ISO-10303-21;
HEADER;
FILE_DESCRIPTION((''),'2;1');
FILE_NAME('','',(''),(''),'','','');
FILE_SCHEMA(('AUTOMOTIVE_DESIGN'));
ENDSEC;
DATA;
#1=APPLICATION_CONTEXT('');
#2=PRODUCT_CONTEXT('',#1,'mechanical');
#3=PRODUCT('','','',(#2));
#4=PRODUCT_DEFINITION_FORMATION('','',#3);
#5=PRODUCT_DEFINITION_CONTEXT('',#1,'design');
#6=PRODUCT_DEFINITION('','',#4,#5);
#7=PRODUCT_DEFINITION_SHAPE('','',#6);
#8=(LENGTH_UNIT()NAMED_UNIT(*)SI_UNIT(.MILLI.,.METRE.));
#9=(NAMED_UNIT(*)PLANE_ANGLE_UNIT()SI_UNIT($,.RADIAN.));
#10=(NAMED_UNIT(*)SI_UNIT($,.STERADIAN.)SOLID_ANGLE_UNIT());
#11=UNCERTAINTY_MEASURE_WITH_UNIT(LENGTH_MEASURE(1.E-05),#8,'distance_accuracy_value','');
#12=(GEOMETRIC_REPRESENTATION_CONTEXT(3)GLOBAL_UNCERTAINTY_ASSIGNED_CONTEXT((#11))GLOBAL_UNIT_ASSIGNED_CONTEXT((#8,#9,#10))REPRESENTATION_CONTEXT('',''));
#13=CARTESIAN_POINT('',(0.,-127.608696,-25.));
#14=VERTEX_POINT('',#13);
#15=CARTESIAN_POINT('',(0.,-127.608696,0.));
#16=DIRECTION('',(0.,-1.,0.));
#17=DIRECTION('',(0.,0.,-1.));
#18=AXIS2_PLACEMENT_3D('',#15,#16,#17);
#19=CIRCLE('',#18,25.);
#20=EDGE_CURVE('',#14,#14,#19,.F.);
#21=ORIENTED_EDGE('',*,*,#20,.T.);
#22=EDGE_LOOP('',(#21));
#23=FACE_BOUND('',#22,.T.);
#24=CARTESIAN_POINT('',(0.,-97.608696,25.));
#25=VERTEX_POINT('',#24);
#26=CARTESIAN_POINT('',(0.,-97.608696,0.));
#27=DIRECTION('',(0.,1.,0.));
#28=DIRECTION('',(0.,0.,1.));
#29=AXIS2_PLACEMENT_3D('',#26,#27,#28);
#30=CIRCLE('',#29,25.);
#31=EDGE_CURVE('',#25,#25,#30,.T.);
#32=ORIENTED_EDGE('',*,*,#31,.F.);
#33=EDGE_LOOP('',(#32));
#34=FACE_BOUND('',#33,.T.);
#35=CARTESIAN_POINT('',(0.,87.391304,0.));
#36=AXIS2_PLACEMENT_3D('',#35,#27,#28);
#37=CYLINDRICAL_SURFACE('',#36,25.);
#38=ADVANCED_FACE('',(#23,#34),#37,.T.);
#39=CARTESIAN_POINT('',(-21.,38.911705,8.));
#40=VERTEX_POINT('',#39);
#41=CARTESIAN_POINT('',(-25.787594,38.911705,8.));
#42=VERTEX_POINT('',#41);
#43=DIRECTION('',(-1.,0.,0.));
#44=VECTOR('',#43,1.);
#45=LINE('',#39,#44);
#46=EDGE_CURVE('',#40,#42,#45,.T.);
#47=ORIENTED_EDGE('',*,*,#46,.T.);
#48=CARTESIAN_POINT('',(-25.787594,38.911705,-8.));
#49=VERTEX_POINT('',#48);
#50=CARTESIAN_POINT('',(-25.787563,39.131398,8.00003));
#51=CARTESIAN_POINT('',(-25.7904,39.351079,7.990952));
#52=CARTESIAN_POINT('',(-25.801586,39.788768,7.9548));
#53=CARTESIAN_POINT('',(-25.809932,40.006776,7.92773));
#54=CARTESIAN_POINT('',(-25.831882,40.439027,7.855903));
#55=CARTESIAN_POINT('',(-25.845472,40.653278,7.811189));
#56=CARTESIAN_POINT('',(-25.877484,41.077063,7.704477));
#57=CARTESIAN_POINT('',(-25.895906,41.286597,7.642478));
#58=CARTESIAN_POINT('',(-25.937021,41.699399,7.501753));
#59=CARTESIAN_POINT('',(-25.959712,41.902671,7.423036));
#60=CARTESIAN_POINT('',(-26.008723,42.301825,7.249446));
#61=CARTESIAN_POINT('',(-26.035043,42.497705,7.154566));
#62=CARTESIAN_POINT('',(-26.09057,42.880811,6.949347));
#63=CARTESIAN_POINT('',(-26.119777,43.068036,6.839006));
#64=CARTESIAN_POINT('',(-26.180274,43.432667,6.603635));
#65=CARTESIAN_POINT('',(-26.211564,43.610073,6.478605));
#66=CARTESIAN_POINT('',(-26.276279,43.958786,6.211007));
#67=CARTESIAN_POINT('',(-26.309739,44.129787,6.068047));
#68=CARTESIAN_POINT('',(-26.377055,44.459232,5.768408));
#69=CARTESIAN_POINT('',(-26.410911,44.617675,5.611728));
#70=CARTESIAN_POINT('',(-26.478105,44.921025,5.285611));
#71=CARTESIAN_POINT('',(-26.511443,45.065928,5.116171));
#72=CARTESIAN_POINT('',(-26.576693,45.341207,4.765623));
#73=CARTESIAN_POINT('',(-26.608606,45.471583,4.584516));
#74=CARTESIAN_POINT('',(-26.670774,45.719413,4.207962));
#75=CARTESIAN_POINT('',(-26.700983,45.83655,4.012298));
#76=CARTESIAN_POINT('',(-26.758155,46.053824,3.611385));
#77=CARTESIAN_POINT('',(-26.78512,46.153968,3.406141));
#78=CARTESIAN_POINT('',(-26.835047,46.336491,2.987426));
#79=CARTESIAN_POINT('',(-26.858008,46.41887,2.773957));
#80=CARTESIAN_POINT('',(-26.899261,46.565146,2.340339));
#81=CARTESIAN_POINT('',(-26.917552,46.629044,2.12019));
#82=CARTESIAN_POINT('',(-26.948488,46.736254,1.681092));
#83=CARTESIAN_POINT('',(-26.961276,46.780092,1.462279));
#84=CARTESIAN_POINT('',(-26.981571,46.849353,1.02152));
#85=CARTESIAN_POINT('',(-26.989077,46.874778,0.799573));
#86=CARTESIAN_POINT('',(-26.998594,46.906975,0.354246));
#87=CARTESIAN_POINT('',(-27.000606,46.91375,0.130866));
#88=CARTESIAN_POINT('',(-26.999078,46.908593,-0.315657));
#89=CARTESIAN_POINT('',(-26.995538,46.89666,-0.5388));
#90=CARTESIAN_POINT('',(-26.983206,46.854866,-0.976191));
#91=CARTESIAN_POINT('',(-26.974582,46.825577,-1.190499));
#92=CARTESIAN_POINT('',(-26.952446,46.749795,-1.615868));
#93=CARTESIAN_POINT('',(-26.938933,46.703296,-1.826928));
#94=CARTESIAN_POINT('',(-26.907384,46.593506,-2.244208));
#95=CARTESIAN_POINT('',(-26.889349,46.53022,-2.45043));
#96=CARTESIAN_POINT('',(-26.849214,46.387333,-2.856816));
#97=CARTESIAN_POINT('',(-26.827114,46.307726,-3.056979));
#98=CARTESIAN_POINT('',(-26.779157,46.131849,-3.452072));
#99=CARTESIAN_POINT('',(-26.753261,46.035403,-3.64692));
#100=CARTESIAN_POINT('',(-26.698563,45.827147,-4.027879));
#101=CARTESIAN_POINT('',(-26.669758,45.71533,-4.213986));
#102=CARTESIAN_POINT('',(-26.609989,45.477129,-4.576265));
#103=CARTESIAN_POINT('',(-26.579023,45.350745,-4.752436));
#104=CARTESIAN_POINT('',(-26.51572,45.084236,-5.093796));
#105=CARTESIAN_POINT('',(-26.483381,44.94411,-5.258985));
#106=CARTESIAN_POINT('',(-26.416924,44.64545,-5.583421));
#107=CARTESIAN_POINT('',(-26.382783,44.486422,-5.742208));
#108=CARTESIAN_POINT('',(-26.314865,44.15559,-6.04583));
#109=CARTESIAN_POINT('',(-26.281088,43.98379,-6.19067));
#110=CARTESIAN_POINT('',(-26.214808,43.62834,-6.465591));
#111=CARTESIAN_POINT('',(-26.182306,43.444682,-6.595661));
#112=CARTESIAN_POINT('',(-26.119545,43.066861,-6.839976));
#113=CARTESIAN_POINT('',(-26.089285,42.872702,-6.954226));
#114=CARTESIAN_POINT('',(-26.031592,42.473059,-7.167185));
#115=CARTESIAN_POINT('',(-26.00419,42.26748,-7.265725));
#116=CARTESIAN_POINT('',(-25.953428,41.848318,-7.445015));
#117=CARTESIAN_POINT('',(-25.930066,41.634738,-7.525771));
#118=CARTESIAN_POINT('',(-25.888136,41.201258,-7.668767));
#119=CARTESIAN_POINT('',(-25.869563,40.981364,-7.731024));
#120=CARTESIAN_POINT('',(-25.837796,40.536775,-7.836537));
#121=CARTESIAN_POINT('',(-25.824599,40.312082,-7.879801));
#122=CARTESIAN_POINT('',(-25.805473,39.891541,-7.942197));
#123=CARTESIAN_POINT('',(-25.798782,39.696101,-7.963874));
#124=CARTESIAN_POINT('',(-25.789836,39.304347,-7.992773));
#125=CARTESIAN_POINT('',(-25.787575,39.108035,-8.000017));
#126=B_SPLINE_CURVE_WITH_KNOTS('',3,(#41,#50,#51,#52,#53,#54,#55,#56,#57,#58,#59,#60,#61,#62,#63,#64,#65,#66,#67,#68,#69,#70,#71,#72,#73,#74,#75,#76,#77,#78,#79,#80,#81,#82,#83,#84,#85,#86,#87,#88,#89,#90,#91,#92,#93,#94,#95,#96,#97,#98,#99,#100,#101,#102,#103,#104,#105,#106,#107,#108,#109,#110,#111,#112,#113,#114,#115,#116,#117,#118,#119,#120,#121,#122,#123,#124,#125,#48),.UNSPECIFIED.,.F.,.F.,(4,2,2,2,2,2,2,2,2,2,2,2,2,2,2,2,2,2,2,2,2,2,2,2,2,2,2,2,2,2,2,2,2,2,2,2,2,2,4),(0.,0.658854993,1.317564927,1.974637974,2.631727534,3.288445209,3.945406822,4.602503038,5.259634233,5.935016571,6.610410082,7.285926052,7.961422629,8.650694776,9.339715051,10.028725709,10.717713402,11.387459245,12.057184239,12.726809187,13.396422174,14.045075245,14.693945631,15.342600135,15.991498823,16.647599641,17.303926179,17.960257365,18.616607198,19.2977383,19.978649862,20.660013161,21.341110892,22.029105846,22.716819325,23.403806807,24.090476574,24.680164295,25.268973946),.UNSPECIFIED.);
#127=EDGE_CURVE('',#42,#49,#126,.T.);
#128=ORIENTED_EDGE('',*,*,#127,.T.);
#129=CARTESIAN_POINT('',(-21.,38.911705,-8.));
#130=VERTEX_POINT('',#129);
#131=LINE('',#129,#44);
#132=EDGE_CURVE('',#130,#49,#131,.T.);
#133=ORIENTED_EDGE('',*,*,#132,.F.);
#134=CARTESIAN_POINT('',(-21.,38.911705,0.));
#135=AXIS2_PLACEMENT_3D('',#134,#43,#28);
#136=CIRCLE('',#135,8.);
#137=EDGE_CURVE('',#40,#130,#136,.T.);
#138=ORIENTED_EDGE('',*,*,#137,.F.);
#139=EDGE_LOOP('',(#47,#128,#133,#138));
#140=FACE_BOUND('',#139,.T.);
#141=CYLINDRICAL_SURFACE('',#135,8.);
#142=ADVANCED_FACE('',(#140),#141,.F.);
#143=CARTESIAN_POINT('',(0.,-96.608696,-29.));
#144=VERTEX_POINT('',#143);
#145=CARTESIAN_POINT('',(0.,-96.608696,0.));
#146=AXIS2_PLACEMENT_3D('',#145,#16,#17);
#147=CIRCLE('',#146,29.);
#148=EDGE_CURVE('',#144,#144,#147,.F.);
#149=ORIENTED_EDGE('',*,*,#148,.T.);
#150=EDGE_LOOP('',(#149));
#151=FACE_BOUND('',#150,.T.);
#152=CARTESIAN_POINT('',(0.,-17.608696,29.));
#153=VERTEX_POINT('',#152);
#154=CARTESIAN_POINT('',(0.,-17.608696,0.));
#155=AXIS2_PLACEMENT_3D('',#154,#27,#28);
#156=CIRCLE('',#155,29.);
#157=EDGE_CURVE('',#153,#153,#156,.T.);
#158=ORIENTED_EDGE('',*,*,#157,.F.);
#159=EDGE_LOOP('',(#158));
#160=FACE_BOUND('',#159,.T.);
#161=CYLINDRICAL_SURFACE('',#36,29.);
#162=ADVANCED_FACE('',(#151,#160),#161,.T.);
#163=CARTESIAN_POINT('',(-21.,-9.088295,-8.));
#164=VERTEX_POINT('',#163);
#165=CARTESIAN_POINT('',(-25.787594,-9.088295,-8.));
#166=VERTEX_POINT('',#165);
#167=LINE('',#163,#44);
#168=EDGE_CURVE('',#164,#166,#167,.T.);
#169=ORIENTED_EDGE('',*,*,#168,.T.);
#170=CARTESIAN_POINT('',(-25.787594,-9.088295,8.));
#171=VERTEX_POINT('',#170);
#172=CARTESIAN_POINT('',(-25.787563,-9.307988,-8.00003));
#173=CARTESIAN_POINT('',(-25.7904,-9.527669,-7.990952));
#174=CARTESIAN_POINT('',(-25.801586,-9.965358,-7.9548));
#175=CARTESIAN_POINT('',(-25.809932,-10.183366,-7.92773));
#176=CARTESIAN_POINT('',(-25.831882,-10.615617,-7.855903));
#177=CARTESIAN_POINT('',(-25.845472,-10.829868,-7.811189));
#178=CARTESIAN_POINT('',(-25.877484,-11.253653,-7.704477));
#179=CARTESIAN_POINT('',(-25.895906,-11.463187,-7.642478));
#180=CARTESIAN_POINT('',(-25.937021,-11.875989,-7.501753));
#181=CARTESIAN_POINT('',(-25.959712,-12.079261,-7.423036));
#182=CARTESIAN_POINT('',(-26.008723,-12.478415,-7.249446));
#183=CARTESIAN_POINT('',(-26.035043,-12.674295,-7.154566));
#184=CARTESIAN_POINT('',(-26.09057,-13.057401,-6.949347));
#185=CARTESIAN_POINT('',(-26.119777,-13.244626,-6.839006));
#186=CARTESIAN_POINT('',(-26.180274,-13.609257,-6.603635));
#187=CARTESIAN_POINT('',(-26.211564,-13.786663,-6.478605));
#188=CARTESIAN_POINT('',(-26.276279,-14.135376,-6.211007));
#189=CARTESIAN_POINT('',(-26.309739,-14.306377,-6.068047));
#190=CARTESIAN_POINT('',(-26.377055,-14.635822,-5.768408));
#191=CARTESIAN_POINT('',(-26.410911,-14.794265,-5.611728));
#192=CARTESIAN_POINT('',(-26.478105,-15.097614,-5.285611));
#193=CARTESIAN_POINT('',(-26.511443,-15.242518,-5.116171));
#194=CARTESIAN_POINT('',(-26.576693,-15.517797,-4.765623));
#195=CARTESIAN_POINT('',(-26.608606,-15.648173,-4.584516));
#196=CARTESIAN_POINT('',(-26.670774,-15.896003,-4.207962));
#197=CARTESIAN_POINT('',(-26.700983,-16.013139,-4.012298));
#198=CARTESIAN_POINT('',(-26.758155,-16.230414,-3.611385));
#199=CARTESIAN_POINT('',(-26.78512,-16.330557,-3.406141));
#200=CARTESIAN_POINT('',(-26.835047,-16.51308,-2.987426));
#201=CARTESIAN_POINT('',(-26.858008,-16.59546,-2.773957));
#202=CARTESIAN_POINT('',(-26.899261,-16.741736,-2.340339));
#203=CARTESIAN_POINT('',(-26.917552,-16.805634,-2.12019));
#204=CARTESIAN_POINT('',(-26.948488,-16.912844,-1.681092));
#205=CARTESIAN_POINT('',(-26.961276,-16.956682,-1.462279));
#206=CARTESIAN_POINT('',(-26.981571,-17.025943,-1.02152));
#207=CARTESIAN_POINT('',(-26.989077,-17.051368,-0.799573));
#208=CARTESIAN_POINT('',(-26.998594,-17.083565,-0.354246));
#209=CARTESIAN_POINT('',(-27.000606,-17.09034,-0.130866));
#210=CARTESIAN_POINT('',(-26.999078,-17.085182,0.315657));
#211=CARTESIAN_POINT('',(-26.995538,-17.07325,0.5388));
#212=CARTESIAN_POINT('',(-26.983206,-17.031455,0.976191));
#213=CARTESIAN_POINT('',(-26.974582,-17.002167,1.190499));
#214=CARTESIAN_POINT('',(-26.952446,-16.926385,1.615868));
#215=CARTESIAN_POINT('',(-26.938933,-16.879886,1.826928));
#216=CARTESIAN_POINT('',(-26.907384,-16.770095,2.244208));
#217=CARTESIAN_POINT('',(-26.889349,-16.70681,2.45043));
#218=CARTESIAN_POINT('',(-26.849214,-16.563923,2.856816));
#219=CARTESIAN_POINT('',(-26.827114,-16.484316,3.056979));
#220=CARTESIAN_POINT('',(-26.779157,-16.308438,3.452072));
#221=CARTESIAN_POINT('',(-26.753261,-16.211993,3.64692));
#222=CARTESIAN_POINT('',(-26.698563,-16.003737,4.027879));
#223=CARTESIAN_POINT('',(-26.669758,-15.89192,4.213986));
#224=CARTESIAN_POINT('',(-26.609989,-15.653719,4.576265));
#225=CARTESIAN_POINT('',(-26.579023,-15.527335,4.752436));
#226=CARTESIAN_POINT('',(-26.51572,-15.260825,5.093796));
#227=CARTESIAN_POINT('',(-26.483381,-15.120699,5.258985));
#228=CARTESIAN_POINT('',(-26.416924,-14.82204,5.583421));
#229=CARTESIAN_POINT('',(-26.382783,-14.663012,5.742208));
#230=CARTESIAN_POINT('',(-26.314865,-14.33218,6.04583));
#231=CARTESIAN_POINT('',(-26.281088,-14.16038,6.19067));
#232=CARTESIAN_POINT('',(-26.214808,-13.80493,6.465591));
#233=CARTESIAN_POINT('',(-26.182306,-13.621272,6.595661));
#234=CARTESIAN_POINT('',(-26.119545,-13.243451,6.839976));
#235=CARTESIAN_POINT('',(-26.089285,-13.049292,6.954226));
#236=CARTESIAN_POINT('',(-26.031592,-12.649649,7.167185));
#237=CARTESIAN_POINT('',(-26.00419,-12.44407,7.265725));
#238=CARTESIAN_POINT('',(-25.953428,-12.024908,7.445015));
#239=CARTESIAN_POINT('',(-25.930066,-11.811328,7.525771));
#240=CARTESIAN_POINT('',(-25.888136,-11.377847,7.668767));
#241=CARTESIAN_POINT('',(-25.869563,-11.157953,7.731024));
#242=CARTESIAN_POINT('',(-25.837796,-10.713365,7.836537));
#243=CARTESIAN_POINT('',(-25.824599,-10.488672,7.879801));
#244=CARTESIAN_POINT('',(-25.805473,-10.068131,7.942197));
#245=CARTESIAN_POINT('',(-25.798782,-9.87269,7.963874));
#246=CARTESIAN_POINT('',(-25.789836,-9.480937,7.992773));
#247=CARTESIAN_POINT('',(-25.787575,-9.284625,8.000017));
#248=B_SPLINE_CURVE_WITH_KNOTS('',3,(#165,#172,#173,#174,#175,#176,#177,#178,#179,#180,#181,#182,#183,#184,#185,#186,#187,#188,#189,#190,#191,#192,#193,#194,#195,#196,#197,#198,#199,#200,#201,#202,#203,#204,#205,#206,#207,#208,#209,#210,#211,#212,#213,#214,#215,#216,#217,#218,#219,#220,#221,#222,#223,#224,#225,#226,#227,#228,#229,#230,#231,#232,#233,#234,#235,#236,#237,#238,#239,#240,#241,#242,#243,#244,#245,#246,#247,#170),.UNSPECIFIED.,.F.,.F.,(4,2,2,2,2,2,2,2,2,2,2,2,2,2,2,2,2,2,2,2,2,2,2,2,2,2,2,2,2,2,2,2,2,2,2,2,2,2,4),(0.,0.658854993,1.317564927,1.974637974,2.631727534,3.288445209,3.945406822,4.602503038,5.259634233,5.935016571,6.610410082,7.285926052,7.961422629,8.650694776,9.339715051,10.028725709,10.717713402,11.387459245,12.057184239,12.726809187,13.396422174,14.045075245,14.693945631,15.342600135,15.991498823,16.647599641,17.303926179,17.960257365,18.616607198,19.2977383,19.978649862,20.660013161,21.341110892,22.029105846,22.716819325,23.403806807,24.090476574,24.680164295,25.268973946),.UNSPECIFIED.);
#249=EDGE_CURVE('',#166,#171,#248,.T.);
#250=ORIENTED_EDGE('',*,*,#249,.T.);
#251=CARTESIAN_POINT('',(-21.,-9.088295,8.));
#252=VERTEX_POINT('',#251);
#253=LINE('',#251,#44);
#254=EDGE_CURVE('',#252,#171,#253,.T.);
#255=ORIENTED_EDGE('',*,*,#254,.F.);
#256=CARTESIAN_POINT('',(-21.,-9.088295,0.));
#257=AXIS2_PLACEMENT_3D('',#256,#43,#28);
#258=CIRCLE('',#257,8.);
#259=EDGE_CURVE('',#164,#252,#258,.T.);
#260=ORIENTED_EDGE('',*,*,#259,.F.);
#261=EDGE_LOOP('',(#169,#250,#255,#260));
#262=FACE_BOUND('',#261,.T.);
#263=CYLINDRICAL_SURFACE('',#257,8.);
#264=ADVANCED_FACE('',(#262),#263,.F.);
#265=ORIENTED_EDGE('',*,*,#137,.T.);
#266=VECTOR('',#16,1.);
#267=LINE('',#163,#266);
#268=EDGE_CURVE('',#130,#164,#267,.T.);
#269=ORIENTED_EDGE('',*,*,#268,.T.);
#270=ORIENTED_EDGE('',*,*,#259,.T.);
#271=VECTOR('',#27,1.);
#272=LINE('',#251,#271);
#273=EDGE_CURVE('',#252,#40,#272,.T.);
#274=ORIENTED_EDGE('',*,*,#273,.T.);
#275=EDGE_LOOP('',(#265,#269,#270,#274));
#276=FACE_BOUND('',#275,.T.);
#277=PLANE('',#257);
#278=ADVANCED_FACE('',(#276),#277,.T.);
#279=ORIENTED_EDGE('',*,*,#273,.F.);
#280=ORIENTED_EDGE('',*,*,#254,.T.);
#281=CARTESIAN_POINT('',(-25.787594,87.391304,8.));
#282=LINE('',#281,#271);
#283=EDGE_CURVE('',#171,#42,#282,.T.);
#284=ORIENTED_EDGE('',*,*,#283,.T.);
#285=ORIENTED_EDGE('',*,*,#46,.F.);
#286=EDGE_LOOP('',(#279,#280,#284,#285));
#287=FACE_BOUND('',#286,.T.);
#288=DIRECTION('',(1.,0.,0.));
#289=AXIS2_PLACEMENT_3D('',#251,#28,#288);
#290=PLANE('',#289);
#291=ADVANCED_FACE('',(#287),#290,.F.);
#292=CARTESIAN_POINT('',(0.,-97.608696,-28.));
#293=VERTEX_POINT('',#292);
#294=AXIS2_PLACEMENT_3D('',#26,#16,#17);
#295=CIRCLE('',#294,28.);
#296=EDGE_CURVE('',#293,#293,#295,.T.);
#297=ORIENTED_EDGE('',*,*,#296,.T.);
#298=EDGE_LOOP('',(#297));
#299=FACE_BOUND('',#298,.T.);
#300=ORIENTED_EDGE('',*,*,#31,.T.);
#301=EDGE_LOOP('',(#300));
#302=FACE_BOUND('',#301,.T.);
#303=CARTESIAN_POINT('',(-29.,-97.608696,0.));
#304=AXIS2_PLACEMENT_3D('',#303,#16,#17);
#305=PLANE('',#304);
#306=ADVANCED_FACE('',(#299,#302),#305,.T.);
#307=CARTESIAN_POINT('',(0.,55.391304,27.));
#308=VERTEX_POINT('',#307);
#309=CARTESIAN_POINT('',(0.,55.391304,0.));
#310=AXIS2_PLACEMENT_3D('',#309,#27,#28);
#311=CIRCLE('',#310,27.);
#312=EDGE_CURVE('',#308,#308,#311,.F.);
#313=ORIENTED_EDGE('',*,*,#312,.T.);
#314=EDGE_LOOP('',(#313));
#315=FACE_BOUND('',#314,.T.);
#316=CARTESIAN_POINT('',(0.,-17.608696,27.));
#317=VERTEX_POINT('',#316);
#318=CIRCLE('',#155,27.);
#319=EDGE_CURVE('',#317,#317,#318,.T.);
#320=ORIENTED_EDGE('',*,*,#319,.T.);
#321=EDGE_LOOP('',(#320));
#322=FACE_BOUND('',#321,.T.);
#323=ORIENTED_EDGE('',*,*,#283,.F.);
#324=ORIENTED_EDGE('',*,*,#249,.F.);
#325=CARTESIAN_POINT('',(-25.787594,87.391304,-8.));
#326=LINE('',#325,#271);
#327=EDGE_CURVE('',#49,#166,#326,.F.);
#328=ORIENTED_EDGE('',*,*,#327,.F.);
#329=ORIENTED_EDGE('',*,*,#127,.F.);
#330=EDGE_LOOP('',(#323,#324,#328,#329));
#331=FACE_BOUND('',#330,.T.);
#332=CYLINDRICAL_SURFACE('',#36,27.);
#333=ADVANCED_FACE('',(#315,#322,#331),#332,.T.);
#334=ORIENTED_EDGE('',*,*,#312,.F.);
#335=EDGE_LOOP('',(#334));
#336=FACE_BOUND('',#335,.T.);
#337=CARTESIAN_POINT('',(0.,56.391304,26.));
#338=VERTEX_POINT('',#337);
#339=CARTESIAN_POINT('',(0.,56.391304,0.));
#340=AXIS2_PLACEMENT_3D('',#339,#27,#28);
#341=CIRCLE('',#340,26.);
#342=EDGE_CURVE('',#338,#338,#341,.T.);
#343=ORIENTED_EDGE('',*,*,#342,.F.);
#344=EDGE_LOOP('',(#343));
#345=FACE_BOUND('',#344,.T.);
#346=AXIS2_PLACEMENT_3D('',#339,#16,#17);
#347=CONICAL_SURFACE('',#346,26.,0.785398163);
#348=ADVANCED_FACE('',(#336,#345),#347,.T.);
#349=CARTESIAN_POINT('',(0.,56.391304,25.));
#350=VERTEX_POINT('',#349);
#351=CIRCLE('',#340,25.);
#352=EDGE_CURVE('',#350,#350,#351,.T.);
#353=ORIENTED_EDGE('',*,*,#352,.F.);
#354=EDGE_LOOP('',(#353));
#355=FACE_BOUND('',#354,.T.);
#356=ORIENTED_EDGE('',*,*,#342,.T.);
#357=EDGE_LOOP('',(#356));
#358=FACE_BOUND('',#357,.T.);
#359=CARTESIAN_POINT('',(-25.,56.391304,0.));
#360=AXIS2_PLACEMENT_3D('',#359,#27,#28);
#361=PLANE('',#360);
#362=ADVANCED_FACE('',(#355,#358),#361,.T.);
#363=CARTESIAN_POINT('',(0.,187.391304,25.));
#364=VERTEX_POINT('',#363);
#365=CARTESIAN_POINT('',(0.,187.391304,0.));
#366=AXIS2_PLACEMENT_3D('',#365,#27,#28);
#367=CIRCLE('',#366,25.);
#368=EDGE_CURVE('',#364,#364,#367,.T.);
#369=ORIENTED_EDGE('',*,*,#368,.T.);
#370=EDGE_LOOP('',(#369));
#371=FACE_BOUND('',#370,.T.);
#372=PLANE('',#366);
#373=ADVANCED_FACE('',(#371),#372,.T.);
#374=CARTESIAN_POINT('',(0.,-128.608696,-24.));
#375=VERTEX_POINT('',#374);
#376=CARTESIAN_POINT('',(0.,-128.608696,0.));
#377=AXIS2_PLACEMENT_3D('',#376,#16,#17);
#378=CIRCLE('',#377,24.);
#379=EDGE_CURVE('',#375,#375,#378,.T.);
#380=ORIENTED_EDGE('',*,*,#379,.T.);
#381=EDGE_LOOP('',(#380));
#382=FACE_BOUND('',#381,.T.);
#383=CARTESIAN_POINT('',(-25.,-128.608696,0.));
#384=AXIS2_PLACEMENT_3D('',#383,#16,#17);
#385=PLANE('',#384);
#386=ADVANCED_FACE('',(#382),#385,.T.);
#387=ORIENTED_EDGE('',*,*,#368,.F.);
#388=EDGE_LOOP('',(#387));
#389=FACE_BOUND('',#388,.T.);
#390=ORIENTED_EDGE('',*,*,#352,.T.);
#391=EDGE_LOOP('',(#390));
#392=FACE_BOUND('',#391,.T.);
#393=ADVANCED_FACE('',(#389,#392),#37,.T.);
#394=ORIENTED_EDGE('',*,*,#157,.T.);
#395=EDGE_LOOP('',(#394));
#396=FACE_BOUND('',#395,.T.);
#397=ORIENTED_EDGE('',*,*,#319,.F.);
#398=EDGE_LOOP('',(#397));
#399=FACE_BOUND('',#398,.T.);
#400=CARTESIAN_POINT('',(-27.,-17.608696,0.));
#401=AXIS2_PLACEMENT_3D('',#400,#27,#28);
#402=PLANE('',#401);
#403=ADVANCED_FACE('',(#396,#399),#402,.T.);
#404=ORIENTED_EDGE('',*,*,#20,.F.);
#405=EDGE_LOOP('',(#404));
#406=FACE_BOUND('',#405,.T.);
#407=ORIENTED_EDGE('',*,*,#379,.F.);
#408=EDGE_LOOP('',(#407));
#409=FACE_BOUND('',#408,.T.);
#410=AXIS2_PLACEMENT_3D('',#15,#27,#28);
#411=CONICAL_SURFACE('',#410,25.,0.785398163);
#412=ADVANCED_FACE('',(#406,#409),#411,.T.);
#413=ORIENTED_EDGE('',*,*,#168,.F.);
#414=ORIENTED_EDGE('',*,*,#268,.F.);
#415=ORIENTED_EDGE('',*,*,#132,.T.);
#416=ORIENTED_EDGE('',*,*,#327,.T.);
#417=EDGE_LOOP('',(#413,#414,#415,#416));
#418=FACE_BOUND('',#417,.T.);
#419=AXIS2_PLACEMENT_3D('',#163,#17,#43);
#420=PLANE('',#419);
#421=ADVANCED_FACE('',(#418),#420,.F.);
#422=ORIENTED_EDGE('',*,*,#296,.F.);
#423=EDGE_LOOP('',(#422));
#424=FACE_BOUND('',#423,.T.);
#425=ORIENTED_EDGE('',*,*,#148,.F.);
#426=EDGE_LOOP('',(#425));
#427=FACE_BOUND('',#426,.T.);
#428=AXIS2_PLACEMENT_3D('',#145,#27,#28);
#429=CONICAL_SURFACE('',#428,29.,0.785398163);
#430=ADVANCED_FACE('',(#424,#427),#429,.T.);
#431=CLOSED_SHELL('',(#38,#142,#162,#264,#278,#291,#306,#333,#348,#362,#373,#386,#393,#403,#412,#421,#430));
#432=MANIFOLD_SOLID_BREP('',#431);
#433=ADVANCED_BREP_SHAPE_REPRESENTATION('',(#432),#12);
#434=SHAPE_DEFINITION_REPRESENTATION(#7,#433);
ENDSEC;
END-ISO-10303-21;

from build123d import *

# Parameters (mm, degrees)
CHAMFER1_SIZE       = 1
CUT_EXTRUDE1_DEPTH  = 6
SKETCH3_R           = 25
BOSS_EXTRUDE1_DEPTH = 100


with BuildPart() as part:
    # Sketch1 → Revolve1 (revolve)
    with BuildSketch(Plane.XY):
        Polygon((0, 87.391304348), (0, -128.608695652), (-25, -128.608695652), (-25, -97.608695652), (-29, -97.608695652), (-29, -17.608695652), (-27, -17.608695652), (-27, 56.391304348), (-25, 56.391304348), (-25, 87.391304348), align=None)
    revolve(axis=Axis((0, 87.391304348, 0), (0, -1, 0)))

    # Chamfer1
    chamfer1_edges = [part.edges().sort_by_distance(p)[0] for p in [
        (27, 56.391304348, 0),
        (25, -128.608695652, 0),
        (29, -97.608695652, 0),
    ]]
    chamfer(chamfer1_edges, length=CHAMFER1_SIZE)

    # Sketch2 → Cut-Extrude1 (cut)
    with BuildSketch(Plane.ZY.offset(27)):
        with BuildLine():
            Line((-8, -9.088294883), (-8, 38.911705117))
            ThreePointArc((-8, 38.911705117), (0, 46.911705117), (8, 38.911705117))
            Line((8, 38.911705117), (8, -9.088294883))
            ThreePointArc((8, -9.088294883), (0, -17.088294883), (-8, -9.088294883))
        make_face()
    extrude(amount=-CUT_EXTRUDE1_DEPTH, mode=Mode.SUBTRACT)

    # Sketch3 → Boss-Extrude1 (add)
    with BuildSketch(Plane(origin=(0, 87.391304348, 0), x_dir=(1, 0, 0), z_dir=(0, 1, 0))):
        Circle(SKETCH3_R)
    extrude(amount=BOSS_EXTRUDE1_DEPTH)


solid = part.part
